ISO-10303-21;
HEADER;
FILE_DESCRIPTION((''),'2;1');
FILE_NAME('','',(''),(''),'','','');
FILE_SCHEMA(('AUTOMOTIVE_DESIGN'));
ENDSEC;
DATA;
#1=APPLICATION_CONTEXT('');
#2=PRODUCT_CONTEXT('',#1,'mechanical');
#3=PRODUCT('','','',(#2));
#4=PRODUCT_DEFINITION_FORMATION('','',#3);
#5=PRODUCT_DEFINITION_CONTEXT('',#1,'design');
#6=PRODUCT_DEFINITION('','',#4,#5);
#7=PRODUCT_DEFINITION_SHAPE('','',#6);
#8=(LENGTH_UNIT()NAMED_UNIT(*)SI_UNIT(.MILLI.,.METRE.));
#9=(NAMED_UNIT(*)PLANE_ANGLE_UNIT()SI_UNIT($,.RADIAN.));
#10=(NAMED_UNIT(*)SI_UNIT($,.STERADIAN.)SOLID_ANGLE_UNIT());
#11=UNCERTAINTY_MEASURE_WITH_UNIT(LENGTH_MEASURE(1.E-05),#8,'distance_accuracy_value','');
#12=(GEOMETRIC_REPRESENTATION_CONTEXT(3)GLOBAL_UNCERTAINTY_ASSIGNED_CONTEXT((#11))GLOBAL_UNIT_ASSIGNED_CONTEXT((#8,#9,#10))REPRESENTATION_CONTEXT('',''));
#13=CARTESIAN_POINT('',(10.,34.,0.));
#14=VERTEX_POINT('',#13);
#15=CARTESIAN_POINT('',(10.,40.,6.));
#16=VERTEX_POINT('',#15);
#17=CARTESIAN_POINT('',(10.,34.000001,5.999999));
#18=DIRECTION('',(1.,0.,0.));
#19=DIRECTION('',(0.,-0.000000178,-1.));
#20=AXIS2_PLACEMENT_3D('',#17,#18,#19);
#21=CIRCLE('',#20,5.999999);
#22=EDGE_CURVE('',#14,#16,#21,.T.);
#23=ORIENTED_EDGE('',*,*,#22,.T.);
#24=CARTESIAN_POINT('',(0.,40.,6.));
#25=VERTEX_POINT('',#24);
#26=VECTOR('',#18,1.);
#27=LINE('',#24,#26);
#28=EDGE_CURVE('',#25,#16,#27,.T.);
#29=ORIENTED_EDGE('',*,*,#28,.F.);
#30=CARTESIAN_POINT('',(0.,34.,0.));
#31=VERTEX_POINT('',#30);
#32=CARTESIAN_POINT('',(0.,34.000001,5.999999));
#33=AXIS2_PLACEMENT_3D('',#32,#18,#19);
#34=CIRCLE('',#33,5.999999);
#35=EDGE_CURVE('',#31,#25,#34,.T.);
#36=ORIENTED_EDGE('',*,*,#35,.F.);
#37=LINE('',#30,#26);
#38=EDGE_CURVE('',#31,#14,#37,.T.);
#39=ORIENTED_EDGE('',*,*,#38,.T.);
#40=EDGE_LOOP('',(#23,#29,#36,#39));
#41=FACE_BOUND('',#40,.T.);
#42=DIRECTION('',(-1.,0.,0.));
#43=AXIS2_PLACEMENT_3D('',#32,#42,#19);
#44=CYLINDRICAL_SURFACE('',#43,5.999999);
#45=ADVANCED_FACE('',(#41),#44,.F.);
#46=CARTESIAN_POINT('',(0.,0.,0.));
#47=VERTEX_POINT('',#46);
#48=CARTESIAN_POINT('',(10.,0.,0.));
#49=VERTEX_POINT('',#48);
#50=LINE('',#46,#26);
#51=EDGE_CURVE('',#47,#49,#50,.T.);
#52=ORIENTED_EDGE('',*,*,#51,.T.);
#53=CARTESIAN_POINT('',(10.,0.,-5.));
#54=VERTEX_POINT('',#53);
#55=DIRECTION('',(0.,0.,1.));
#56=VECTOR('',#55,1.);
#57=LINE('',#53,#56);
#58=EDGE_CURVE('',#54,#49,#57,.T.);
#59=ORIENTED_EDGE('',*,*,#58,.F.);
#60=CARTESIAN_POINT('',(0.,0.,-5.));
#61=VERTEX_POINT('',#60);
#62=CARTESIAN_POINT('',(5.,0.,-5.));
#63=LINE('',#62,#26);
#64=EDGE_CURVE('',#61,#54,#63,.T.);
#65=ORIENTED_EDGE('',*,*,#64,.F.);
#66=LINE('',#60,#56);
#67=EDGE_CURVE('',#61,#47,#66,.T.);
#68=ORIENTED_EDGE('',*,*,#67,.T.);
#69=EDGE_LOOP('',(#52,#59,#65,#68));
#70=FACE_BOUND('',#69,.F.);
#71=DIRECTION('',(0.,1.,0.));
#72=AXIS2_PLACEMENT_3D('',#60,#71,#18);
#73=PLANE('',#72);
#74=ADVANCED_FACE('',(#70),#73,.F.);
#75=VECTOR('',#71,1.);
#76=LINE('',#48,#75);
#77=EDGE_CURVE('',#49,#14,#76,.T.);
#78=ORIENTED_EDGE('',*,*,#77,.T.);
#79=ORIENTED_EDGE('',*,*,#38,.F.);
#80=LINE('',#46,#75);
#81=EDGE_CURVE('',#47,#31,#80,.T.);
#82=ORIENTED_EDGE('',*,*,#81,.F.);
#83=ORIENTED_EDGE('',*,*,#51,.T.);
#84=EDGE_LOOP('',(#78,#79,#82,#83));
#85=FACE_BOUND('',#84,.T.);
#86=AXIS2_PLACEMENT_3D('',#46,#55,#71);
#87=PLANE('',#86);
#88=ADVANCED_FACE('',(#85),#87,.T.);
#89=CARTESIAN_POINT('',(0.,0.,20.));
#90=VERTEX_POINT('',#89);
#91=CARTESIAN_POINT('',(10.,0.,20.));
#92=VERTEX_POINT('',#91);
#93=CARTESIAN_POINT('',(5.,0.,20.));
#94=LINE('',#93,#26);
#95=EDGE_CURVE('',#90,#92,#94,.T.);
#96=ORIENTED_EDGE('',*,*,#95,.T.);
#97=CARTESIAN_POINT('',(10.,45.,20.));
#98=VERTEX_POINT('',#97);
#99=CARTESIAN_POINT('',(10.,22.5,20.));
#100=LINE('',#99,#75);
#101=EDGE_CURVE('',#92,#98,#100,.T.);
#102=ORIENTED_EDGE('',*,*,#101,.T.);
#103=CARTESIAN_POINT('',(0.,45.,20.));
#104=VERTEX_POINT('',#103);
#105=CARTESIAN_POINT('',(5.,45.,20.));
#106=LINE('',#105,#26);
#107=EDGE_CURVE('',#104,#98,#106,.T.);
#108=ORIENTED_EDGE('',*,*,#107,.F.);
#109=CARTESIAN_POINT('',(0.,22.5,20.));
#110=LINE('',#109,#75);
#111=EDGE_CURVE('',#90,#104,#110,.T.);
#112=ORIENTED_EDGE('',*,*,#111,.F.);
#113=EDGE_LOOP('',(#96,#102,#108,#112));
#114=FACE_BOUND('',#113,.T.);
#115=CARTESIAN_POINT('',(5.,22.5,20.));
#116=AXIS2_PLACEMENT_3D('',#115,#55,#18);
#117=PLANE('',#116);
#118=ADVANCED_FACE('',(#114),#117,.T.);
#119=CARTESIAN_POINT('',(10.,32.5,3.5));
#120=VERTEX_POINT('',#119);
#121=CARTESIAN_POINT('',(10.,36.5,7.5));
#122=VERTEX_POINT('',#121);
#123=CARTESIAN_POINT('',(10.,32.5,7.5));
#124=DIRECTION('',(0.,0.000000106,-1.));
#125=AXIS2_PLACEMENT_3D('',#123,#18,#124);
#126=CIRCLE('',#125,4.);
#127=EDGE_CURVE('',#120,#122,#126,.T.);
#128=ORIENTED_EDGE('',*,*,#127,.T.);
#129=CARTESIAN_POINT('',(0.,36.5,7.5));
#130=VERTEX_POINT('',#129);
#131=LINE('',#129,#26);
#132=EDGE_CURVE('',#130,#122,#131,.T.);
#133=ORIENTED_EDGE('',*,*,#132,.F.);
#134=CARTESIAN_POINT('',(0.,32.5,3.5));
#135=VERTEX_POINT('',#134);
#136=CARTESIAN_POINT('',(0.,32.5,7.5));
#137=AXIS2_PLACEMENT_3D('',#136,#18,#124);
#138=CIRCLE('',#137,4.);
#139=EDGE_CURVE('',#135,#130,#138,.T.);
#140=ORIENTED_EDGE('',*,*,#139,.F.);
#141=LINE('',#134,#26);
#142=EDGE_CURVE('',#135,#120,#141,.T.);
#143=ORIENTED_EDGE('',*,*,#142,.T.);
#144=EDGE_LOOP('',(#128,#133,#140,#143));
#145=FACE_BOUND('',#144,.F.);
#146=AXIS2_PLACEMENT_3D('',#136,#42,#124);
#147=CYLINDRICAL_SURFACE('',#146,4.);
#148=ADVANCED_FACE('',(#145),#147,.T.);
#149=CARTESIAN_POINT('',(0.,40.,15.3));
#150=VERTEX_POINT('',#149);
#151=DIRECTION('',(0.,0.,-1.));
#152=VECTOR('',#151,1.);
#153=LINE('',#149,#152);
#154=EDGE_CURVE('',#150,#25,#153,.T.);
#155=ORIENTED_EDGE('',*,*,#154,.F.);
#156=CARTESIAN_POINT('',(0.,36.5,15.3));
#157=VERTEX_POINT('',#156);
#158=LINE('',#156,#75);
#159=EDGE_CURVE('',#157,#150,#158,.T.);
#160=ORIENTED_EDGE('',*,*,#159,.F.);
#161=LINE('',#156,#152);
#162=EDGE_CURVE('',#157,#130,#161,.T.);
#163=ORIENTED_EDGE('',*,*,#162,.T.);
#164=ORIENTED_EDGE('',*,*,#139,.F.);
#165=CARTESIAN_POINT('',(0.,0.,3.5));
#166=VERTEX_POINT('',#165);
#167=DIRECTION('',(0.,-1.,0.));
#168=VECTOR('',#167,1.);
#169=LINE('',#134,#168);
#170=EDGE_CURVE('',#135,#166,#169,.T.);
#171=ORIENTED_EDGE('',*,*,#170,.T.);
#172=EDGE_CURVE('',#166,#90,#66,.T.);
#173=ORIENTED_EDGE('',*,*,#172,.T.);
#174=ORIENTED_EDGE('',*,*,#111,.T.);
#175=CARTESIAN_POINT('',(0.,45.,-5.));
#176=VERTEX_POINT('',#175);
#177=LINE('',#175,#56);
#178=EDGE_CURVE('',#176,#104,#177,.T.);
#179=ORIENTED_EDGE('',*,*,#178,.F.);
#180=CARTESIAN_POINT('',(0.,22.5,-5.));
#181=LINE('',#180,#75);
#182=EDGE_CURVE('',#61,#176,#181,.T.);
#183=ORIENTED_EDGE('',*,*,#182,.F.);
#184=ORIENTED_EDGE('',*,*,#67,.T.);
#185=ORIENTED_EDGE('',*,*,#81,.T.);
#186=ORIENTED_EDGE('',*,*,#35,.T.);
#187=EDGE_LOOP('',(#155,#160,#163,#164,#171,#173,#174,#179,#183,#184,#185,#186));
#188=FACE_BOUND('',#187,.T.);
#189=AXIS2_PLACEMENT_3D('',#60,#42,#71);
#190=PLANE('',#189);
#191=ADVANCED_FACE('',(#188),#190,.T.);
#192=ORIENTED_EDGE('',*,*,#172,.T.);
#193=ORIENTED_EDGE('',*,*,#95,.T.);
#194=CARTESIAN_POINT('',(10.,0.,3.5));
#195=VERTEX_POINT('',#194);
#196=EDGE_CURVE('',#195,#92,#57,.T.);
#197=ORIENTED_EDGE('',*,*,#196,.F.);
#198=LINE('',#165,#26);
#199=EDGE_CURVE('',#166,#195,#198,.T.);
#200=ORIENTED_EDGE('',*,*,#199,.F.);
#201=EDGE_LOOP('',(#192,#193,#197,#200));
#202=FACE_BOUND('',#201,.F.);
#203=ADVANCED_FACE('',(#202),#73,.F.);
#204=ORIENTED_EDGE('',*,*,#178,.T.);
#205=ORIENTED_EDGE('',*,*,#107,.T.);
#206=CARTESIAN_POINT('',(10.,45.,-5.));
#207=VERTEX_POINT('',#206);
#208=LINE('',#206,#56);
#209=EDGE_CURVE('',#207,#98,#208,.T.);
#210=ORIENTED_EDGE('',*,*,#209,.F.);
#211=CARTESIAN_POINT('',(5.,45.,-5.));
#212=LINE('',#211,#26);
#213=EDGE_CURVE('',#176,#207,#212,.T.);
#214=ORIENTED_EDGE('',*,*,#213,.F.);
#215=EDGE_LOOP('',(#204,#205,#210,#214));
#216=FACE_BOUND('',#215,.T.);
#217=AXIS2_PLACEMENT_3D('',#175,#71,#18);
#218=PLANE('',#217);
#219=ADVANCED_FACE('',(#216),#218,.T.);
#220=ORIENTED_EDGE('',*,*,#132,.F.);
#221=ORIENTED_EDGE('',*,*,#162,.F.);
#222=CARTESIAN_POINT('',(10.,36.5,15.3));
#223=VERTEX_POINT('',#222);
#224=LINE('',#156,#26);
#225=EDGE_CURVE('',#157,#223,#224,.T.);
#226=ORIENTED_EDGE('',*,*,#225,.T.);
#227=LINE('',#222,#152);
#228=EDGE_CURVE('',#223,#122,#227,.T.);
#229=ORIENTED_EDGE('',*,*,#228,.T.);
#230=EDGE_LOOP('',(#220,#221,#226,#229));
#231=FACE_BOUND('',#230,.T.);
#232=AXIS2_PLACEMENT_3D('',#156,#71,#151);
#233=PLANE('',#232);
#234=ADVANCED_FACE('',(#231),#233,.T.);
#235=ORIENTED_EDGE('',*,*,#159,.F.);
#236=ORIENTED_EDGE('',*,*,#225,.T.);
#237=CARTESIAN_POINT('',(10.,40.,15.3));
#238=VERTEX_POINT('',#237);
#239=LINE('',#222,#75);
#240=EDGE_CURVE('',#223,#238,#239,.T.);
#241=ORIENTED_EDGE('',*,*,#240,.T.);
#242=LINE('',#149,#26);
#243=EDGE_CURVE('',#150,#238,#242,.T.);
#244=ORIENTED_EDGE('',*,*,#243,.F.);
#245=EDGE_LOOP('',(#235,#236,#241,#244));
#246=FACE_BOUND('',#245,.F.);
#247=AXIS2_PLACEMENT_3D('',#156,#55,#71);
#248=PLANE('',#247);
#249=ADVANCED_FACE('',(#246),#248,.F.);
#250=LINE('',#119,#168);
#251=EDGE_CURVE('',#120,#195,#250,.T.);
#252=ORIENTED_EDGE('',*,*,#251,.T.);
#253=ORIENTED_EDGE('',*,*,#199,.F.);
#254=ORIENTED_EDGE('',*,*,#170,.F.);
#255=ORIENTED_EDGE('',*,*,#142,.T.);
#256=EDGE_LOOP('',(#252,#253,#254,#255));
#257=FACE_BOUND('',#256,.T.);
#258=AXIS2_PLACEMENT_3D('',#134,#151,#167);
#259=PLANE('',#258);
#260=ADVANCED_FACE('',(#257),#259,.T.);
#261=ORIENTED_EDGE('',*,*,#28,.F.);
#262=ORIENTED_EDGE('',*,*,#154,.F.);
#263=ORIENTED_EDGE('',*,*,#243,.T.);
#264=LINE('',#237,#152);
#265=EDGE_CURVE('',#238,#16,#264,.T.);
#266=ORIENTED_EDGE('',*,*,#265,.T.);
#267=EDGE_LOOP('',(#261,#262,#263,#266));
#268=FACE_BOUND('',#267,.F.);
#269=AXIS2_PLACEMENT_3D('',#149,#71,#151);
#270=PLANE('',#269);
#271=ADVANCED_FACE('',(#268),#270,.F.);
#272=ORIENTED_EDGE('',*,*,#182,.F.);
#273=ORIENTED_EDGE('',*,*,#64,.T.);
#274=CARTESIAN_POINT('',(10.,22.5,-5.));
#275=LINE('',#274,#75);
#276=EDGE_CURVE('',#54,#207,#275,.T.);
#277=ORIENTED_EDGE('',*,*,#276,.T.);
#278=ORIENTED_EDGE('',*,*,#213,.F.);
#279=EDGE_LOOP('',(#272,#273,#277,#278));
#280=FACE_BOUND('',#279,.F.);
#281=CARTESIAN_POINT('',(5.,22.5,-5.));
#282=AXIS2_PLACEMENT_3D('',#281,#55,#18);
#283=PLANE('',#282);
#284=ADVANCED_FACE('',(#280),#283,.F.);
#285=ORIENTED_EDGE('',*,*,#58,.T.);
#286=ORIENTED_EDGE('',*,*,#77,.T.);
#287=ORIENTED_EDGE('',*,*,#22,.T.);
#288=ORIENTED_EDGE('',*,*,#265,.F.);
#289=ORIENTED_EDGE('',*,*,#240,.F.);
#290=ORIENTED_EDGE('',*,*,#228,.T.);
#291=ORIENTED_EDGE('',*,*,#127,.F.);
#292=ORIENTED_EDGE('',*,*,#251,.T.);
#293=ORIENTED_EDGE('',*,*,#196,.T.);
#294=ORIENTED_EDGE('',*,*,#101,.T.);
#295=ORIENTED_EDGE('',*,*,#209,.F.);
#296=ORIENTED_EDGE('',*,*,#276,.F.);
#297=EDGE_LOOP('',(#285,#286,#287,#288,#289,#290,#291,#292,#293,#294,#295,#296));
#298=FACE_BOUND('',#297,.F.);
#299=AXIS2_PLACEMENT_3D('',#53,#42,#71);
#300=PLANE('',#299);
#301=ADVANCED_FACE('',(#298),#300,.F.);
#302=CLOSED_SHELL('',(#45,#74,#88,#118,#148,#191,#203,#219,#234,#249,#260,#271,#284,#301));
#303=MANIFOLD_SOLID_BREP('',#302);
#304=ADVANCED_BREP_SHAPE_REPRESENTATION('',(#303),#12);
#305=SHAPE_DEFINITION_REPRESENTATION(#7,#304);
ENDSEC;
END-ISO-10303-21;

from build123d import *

# Parameters (mm, degrees)
BOX_W        = 10
BOX_H        = 45
BOX_DEPTH    = 25
POCKET_DEPTH = 10


with BuildPart() as part:
    # Box → Box (join)
    with BuildSketch(Plane.XY.offset(-5)):
        with Locations((5, 22.5)):
            Rectangle(BOX_W, BOX_H)
    extrude(amount=BOX_DEPTH)

    # Sketch → Pocket (cut)
    with BuildSketch(Plane.YZ):
        with BuildLine():
            Line((40, 15.3), (40, 6))
            ThreePointArc((34, 0), (38.242641, 1.757359), (40, 6))
            Line((0, 0), (34, 0))
            Line((0, 3.5), (0, 0))
            Line((32.5, 3.5), (0, 3.5))
            ThreePointArc((32.5, 3.5), (35.328427, 4.671573), (36.5, 7.5))
            Line((36.5, 15.3), (36.5, 7.5))
            Line((36.5, 15.3), (40, 15.3))
        make_face()
    extrude(amount=POCKET_DEPTH, mode=Mode.SUBTRACT)


solid = part.part
